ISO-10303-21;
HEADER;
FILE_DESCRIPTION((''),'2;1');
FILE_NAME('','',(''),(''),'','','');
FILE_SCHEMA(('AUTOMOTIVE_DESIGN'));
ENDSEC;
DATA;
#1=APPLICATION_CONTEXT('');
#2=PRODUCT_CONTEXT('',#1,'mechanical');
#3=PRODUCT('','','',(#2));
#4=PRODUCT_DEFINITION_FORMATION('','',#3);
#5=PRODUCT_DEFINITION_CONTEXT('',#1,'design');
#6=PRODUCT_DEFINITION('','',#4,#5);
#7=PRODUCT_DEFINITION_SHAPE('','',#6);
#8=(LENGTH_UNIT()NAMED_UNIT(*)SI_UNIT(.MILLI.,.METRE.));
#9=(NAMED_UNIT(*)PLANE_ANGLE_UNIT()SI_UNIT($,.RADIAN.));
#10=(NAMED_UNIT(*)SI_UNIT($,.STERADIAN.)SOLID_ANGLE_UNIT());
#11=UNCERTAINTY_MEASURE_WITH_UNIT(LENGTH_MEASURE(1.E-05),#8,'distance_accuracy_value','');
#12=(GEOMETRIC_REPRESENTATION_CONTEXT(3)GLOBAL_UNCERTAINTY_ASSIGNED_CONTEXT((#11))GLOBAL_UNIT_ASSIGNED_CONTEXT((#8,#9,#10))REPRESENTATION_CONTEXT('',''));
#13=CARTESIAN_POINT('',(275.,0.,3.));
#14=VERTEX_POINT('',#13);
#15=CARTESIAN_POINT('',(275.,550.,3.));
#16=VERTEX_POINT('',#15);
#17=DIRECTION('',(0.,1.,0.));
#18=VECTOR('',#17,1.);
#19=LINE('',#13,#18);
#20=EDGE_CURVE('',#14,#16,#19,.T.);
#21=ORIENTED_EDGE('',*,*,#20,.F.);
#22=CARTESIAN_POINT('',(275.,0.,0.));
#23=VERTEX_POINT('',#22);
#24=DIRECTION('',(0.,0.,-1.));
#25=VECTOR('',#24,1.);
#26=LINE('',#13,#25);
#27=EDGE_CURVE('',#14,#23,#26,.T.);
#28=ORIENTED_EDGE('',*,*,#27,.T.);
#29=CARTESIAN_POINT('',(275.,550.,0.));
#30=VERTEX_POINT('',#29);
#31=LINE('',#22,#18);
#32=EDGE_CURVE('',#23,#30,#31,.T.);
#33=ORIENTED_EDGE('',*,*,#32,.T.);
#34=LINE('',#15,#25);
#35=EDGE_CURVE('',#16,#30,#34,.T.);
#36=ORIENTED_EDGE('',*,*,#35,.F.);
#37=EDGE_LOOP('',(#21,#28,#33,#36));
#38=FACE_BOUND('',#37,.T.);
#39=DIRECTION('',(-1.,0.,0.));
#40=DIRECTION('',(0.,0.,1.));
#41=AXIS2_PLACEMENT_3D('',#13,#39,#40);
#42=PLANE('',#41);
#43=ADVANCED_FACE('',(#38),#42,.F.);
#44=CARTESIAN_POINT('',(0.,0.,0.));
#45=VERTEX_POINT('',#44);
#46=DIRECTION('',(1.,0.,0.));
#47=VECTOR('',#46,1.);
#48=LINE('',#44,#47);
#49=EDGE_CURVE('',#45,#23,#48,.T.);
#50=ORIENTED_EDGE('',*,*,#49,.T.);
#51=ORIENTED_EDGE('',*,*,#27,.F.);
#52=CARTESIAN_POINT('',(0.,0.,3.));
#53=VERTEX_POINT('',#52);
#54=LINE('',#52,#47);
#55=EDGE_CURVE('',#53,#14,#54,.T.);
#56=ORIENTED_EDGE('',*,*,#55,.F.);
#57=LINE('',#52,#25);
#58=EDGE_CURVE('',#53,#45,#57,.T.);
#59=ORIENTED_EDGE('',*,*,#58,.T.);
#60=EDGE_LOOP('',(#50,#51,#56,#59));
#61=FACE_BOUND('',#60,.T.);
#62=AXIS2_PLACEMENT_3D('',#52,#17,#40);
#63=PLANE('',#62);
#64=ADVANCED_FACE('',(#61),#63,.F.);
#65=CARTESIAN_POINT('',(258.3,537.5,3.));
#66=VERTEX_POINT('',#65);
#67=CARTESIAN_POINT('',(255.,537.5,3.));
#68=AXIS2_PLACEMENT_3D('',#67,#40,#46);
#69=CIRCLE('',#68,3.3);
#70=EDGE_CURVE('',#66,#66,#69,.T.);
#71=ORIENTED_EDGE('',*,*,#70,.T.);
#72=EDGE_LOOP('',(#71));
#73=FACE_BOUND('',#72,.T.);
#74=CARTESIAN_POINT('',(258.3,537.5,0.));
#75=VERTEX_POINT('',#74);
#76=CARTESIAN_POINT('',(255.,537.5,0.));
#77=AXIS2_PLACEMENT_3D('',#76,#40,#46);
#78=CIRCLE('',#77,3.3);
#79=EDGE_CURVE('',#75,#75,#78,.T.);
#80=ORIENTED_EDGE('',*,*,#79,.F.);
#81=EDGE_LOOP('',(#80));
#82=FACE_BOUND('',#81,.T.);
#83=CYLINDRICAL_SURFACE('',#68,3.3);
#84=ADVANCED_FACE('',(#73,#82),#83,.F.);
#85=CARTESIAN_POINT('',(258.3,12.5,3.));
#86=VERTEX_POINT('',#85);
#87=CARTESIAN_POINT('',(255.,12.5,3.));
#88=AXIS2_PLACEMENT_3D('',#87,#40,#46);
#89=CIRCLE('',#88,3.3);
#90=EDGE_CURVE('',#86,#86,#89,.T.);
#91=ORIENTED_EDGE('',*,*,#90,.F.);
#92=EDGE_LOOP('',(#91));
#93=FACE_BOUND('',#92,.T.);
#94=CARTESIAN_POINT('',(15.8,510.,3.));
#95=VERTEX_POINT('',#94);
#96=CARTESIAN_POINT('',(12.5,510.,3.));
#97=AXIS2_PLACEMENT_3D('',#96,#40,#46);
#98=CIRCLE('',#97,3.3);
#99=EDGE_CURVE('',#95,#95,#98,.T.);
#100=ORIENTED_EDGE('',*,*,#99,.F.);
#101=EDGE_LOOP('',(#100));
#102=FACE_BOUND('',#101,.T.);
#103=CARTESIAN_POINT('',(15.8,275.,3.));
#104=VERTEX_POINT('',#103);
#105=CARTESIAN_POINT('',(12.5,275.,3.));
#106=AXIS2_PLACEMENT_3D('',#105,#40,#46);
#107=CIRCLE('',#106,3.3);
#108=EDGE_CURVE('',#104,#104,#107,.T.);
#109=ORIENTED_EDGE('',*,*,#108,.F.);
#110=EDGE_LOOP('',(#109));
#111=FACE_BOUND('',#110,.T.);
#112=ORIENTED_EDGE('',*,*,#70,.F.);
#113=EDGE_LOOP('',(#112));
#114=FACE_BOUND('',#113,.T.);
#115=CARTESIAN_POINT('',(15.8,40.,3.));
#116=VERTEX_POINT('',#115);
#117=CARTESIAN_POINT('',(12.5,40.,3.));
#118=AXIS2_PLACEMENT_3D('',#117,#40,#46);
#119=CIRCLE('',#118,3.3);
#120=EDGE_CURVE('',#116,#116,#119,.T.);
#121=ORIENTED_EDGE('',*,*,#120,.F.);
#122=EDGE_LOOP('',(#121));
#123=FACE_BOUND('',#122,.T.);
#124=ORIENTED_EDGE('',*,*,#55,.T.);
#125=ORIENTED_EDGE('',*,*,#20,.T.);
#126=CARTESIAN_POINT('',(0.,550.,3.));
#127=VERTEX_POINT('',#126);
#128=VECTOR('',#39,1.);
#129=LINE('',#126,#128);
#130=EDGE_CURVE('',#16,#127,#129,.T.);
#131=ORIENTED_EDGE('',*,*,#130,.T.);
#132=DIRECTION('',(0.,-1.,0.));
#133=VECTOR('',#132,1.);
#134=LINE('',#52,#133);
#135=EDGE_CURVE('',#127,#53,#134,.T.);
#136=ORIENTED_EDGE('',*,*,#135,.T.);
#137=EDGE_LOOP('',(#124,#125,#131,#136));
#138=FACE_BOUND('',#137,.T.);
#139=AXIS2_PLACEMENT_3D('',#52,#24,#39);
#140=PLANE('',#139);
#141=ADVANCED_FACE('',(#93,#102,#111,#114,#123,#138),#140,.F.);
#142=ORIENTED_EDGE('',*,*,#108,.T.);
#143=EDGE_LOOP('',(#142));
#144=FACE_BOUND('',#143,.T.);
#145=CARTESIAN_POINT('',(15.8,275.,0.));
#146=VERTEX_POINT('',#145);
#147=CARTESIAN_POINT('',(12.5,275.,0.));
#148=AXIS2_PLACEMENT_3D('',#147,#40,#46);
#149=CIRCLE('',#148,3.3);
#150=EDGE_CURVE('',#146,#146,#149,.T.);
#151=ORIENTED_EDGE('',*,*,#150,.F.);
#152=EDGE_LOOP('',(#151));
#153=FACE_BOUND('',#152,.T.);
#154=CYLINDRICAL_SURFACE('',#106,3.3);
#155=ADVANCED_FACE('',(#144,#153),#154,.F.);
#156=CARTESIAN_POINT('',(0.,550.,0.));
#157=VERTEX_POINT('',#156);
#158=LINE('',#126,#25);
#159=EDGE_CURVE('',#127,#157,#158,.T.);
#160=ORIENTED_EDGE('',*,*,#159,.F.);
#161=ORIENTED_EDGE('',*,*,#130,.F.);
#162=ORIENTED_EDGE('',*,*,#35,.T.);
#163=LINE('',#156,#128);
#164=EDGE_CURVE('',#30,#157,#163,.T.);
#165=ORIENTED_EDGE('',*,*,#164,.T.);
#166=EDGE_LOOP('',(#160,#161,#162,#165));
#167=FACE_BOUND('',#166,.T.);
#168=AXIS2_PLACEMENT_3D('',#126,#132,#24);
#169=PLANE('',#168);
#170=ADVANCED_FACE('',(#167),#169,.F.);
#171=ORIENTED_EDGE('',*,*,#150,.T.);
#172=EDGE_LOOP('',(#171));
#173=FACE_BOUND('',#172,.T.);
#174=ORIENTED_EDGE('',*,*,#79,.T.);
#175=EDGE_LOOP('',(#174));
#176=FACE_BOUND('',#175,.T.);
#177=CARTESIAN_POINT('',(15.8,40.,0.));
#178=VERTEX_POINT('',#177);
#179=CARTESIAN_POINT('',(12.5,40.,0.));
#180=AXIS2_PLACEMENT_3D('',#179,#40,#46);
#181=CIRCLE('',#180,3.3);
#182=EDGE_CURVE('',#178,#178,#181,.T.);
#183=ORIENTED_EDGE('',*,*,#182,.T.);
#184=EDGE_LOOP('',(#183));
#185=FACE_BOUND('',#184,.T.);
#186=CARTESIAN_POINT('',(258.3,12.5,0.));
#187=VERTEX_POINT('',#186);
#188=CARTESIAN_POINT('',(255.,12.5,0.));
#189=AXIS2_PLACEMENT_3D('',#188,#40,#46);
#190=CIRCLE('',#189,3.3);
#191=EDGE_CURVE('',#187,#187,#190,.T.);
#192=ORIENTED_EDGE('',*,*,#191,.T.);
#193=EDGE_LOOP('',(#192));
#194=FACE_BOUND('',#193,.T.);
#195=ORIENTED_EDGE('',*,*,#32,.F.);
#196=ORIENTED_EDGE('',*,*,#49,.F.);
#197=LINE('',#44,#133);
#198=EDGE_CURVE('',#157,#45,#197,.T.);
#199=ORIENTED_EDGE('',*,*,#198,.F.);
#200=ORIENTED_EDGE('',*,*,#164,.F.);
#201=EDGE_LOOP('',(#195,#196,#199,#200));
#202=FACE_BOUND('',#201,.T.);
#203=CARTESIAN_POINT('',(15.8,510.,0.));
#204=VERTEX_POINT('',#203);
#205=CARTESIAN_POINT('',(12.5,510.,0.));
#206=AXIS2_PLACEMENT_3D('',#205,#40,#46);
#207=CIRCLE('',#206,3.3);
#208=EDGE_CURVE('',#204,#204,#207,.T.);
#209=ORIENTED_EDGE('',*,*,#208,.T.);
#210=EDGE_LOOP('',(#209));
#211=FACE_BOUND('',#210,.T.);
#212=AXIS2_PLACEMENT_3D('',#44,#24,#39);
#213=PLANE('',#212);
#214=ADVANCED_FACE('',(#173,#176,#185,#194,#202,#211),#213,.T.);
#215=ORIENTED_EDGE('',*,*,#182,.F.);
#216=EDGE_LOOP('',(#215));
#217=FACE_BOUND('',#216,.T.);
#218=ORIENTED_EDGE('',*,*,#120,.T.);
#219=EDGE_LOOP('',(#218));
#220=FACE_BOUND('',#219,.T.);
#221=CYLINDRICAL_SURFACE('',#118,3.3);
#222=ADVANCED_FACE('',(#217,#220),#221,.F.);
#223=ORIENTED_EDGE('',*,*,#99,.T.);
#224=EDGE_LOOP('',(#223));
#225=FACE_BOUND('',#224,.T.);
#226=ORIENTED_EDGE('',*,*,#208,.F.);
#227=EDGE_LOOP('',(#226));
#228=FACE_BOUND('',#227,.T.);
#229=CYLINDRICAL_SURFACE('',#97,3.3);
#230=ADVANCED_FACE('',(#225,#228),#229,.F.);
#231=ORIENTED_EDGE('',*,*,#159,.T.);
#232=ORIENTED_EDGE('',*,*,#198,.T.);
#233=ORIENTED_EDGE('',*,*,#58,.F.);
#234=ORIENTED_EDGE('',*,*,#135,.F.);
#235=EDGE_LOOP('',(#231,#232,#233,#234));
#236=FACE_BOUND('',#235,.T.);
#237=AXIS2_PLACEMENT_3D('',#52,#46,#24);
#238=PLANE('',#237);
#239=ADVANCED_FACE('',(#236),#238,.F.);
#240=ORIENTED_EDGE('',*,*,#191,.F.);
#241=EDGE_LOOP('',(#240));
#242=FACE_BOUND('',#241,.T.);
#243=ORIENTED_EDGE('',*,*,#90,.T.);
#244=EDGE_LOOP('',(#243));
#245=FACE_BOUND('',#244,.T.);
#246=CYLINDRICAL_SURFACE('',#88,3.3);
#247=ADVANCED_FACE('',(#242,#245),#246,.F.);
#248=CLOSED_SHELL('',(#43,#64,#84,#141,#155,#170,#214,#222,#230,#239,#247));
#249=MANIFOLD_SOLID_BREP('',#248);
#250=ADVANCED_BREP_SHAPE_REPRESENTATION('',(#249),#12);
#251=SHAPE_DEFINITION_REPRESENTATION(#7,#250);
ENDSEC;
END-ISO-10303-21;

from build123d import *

# Parameters (mm, degrees)
SKETCH1_W            = 275
SKETCH1_H            = 550
BOSS_EXTRUDE1_DEPTH  = 3
M6_CLEARANCE_HOLE1_D = 6.6


with BuildPart() as part:
    # Sketch1 → Boss-Extrude1 (new body)
    with BuildSketch(Plane.XY):
        with Locations((137.5, 275)):
            Rectangle(SKETCH1_W, SKETCH1_H)
    extrude(amount=BOSS_EXTRUDE1_DEPTH)

    # M6 Clearance Hole1 (through all)
    with Locations(Plane.XY.offset(3)):
        with Locations((12.5, 275), (12.5, 510), (12.5, 40), (255, 12.5), (255, 537.5)):
            Hole(M6_CLEARANCE_HOLE1_D / 2)


solid = part.part
